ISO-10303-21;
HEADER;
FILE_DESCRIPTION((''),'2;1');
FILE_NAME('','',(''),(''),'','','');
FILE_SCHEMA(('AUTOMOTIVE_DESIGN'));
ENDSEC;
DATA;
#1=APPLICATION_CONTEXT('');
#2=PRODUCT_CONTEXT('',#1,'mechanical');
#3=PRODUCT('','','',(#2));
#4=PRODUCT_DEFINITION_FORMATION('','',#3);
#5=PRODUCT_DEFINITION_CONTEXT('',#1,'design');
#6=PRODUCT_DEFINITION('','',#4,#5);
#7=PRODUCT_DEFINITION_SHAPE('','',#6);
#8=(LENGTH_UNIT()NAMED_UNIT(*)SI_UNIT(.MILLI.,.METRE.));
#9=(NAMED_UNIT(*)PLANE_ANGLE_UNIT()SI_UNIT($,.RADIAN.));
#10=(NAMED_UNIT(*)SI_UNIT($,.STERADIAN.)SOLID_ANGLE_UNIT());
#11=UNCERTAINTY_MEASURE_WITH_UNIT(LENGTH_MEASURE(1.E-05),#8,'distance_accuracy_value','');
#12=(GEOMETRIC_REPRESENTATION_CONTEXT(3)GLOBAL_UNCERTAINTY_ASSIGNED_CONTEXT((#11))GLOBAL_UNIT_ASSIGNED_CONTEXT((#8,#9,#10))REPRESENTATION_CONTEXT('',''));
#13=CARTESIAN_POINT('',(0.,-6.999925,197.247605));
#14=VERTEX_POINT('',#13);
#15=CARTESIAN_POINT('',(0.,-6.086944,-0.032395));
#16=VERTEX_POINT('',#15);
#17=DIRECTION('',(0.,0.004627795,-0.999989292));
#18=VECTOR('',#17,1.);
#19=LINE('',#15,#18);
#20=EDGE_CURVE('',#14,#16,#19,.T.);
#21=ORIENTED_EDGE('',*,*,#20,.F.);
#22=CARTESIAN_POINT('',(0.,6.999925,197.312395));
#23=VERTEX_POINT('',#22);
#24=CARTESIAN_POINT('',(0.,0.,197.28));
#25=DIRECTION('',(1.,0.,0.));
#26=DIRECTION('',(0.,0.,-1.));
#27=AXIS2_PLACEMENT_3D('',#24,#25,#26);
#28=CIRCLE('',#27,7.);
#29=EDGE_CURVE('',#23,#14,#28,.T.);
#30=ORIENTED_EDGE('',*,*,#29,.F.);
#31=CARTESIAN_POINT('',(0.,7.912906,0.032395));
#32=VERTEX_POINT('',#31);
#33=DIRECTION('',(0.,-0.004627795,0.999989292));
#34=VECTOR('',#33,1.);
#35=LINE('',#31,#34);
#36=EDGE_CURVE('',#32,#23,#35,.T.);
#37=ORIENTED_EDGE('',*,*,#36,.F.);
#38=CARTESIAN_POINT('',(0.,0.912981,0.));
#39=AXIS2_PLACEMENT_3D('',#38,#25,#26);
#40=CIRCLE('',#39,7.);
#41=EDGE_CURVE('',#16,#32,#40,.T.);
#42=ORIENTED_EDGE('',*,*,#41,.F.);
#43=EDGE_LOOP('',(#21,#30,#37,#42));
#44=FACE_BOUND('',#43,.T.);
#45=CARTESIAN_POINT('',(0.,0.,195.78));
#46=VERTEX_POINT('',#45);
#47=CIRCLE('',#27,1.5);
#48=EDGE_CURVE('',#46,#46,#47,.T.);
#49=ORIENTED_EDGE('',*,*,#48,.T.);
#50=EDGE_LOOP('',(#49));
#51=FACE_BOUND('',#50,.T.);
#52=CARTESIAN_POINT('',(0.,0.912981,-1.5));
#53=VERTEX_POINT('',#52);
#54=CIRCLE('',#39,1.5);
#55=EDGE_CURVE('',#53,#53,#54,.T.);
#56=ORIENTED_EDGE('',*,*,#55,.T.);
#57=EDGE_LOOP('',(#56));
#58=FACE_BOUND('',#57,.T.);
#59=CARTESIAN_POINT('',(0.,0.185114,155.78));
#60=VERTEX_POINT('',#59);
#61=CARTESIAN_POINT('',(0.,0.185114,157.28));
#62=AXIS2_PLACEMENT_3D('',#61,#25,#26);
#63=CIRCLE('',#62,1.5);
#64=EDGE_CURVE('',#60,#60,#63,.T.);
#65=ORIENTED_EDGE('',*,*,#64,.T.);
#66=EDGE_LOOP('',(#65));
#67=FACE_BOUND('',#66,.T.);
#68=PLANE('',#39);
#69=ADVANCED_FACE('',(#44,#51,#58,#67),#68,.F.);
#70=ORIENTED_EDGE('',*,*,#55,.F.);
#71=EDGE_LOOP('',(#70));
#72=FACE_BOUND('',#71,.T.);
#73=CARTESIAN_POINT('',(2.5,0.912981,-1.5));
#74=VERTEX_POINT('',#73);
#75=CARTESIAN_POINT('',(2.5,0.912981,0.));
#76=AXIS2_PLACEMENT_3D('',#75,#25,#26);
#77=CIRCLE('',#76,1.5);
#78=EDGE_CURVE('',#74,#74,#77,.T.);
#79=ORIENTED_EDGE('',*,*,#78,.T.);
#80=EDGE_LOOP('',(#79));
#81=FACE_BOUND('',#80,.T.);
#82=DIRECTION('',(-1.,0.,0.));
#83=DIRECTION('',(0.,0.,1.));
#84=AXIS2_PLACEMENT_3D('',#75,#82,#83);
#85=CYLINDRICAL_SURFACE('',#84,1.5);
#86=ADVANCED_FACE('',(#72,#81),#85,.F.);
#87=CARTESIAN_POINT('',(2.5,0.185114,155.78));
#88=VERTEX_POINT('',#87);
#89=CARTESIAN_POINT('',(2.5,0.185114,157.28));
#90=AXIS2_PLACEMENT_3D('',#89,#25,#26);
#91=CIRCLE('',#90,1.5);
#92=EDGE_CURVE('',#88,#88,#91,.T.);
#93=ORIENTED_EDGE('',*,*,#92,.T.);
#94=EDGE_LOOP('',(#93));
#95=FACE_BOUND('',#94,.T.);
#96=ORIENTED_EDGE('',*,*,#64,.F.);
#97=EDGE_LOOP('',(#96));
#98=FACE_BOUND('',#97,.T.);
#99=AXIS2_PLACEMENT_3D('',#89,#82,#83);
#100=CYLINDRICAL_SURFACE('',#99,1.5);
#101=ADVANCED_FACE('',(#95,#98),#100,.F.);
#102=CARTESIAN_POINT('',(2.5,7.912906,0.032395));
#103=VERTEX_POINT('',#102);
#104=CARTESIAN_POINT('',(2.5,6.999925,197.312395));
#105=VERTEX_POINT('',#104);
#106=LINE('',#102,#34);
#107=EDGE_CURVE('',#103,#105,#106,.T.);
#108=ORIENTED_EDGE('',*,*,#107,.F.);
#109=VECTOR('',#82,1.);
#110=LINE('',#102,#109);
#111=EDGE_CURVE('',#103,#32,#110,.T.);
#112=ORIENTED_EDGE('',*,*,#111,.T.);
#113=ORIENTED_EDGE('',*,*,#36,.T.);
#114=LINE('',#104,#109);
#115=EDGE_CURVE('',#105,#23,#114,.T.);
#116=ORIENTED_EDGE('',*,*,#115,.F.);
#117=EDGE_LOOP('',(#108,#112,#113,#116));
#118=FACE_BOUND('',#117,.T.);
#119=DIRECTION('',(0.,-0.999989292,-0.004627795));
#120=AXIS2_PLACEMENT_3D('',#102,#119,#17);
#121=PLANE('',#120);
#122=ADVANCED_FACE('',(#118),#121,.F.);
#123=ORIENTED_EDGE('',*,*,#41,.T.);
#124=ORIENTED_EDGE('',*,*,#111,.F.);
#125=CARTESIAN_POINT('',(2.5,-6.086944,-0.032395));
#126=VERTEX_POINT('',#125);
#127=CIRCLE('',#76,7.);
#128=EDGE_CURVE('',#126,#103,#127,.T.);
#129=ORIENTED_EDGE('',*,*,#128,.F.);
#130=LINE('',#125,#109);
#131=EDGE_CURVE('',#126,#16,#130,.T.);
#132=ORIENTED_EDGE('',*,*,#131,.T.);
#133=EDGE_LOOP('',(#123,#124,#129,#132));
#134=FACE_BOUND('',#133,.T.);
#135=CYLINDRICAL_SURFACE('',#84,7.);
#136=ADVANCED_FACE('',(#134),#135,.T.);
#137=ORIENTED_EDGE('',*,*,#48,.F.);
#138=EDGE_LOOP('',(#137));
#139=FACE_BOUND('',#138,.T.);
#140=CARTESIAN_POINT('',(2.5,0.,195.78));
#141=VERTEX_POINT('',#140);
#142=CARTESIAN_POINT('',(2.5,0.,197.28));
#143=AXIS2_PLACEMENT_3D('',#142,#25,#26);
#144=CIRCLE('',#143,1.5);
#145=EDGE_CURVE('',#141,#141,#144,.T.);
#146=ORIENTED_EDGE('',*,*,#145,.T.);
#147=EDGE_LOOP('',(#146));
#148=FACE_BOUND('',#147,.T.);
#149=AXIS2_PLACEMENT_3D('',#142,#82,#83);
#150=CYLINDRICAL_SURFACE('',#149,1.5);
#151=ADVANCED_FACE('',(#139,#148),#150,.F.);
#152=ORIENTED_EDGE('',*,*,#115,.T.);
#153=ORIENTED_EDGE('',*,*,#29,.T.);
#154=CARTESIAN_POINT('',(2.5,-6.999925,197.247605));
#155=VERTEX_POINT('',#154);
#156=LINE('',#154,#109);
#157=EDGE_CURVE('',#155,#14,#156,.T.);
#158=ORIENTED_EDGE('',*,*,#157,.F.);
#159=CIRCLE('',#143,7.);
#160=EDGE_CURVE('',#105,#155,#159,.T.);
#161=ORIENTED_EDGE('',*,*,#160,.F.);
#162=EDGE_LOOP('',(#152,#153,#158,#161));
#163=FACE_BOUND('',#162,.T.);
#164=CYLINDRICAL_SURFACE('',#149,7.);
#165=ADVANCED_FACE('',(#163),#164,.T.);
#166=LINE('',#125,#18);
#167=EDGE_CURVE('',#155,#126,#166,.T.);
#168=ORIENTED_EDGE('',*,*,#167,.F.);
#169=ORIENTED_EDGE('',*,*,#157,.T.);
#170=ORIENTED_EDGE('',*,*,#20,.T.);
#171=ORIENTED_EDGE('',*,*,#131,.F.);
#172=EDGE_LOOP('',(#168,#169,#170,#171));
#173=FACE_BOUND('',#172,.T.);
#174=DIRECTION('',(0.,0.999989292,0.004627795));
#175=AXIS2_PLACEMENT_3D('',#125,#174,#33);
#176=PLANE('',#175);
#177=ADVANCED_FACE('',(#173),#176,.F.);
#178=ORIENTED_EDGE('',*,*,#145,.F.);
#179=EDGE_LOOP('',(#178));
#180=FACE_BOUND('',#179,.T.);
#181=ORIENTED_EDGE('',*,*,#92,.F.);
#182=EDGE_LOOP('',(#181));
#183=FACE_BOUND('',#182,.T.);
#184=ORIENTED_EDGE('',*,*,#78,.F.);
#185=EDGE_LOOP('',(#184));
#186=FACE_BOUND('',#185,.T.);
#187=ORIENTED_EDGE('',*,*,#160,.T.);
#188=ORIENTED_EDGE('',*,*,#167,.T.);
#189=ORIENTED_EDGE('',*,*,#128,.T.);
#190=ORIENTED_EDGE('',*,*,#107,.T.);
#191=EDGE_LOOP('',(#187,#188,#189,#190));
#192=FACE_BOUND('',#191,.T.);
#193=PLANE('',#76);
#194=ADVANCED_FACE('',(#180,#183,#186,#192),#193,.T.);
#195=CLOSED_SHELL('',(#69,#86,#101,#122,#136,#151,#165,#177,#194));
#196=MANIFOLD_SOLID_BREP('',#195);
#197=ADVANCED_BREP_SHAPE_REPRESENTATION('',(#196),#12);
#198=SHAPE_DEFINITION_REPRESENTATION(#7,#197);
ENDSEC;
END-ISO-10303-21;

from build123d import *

# Parameters (mm, degrees)
SKETCH1_R           = 1.500000048
BOSS_EXTRUDE1_DEPTH = 2.5


with BuildPart() as part:
    # Sketch1 → Boss-Extrude1 (new body)
    with BuildSketch(Plane(origin=(0, 0, 0), x_dir=(0, 0, -1), z_dir=(1, 0, 0))):
        with BuildLine():
            Line((0.032394562, -6.086943939), (-197.247605438, -6.999925042))
            ThreePointArc((-197.247605438, -6.999925042), (-204.279925042, -0.032394562), (-197.312394562, 6.999925042))
            Line((-197.312394562, 6.999925042), (-0.032394562, 7.912906145))
            ThreePointArc((-0.032394562, 7.912906145), (6.999925042, 0.945375665), (0.032394562, -6.086943939))
        make_face()
        with Locations((-197.28, 0)):
            Circle(SKETCH1_R, mode=Mode.SUBTRACT)
        with Locations((0, 0.912981103)):
            Circle(SKETCH1_R, mode=Mode.SUBTRACT)
        with Locations((-157.28, 0.185113768)):
            Circle(SKETCH1_R, mode=Mode.SUBTRACT)
    extrude(amount=BOSS_EXTRUDE1_DEPTH)


solid = part.part
